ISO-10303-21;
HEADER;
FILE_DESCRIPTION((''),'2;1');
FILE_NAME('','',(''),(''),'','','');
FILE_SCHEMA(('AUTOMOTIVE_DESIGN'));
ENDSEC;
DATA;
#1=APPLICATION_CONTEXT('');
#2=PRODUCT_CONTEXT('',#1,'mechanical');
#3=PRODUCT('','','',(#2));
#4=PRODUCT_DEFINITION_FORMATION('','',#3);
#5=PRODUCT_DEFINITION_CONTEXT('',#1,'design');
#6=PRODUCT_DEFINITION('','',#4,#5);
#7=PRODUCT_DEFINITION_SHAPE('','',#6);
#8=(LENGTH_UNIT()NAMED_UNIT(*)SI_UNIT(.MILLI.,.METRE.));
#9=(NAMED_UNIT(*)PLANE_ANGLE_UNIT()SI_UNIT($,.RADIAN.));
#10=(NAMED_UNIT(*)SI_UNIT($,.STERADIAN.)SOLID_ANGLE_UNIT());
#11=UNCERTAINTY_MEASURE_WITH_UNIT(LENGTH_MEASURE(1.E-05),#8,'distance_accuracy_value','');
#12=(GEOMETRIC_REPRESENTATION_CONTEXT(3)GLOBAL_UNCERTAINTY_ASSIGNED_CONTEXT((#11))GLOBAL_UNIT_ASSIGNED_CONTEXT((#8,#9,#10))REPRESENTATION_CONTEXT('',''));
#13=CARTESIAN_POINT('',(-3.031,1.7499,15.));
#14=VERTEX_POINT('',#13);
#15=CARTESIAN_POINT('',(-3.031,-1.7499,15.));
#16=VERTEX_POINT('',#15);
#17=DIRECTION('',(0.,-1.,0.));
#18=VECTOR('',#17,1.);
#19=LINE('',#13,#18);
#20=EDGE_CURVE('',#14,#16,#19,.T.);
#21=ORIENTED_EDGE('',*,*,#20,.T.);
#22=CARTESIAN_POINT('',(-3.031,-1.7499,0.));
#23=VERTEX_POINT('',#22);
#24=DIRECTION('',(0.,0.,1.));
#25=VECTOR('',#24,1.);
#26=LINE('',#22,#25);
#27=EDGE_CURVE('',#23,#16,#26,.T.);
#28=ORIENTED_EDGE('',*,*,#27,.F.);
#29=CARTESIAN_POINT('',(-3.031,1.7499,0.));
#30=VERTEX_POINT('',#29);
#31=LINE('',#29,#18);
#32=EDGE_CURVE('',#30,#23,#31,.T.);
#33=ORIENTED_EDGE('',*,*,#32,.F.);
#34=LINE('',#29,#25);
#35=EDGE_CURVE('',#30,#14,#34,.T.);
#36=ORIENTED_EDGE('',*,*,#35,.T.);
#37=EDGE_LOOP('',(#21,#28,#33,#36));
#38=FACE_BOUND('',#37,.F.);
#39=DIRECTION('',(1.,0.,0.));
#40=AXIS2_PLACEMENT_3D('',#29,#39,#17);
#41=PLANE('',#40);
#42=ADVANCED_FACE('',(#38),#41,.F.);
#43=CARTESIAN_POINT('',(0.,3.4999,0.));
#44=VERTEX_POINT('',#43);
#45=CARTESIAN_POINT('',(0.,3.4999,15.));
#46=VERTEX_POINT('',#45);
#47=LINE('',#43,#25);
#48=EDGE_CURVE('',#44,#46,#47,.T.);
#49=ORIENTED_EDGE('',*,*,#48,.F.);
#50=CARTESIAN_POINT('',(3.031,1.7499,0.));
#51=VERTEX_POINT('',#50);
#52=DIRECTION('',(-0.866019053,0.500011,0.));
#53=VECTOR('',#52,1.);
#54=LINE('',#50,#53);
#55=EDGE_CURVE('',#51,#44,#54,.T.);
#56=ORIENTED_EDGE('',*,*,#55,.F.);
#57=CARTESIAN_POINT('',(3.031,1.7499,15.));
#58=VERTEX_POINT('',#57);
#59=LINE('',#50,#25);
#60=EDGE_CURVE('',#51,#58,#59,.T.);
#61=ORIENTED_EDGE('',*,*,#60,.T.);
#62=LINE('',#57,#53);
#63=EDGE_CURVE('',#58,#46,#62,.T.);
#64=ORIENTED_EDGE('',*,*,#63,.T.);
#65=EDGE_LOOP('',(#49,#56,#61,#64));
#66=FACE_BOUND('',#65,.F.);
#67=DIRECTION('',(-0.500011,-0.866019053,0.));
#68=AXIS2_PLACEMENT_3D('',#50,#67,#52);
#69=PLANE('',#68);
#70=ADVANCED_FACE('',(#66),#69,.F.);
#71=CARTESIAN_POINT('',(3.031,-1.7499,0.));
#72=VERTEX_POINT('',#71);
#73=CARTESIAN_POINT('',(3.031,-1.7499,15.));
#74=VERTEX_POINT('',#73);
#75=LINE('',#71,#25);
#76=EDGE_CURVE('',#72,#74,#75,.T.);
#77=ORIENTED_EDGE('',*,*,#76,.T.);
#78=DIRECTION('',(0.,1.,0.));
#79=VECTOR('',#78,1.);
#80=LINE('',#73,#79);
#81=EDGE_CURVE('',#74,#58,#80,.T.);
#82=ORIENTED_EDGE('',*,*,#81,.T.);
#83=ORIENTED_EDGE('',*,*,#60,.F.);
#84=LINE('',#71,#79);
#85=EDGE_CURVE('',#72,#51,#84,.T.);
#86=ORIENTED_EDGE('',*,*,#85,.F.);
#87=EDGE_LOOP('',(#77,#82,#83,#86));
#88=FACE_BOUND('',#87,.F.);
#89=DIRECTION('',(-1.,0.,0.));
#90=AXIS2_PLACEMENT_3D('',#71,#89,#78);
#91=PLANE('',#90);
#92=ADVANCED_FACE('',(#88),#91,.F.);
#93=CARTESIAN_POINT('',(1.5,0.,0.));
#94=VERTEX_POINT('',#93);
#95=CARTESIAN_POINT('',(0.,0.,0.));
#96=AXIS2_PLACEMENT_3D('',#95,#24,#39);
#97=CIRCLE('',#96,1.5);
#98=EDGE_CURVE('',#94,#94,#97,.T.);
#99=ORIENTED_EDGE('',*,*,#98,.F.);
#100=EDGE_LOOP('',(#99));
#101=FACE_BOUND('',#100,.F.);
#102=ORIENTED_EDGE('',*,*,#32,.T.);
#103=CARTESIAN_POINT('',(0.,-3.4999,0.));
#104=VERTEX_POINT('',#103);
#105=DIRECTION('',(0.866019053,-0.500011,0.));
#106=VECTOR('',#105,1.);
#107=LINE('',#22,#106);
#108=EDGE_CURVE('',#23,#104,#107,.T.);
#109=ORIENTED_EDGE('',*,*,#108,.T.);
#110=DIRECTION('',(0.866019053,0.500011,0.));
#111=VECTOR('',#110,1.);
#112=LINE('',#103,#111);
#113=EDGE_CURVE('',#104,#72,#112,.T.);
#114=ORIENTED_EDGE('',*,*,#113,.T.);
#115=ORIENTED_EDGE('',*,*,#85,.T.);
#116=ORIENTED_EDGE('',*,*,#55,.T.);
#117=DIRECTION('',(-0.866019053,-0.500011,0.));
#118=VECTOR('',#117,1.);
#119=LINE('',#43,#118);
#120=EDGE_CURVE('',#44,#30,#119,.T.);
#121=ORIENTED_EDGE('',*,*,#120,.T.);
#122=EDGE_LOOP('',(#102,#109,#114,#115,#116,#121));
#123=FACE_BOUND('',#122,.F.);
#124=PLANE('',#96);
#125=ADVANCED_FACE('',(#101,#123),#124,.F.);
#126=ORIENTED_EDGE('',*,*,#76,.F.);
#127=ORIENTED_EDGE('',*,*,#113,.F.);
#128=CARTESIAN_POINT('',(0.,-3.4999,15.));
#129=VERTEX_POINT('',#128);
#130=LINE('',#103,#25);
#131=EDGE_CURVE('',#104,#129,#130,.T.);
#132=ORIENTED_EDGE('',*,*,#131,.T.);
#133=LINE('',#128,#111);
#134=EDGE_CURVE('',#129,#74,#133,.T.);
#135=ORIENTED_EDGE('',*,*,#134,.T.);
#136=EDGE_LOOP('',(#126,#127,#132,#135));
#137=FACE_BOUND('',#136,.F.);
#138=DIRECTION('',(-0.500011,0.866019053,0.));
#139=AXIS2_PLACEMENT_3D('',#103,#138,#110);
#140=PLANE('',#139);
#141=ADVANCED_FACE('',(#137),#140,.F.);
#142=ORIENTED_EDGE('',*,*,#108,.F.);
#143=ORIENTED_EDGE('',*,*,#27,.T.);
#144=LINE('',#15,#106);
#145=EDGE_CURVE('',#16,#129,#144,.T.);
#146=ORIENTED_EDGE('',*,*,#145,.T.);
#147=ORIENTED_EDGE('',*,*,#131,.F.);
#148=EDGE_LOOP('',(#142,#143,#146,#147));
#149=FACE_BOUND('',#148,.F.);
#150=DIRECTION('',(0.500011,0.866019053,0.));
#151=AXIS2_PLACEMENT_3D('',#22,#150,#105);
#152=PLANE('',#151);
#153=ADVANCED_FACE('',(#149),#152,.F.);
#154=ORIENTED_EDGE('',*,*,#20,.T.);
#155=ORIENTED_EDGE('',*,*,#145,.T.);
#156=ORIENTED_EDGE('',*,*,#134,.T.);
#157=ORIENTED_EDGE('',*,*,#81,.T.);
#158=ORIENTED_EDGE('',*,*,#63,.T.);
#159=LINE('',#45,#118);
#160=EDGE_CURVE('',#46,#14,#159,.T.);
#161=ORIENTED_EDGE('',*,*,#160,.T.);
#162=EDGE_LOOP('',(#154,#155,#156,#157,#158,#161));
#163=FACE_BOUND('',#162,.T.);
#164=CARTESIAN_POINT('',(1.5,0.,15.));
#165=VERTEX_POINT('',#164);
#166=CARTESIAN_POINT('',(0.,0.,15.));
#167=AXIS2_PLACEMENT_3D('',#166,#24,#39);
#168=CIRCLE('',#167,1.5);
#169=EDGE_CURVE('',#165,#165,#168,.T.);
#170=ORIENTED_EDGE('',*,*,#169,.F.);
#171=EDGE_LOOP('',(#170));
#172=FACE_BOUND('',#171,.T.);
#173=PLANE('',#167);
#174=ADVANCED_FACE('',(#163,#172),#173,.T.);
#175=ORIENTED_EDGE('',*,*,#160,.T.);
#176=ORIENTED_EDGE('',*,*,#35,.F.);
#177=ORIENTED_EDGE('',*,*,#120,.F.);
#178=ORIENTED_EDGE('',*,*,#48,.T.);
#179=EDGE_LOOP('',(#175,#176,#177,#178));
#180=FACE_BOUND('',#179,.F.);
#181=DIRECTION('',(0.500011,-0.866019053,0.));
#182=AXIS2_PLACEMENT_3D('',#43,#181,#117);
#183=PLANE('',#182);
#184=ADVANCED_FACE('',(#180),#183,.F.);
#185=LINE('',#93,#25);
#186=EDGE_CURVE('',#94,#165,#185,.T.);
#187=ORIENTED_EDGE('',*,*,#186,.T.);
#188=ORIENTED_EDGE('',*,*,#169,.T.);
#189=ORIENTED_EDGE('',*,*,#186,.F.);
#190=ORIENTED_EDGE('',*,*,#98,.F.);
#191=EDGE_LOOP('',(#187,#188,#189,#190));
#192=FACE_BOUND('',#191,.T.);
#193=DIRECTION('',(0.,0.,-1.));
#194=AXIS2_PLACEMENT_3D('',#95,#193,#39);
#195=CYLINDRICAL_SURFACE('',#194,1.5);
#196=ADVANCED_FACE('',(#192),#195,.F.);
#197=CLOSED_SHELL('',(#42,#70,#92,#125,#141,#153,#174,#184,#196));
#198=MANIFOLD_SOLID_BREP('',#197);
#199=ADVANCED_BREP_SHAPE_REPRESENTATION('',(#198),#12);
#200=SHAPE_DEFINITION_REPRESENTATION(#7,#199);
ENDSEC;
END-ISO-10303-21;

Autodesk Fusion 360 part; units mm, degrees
sketch "スケッチ1" plane through (0, 0, 0) normal (0, 0, 1) x (1, 0, 0)
  line L0 (3.5241, 6.0479) -> (-3.4756, 6.076)
  line L1 (-3.4756, 6.076) -> (-6.9997, 0.028)
  line L2 (-6.9997, 0.028) -> (-3.5241, -6.0479)
  line L3 (-3.5241, -6.0479) -> (3.4756, -6.076)
  line L4 (3.4756, -6.076) -> (6.9997, -0.028)
  line L5 (6.9997, -0.028) -> (3.5241, 6.0479)
  circle A0 centre (0, 0) radius 1.5
  line L6 (3.031, 1.7499) -> (0, 3.4999)
  line L7 (0, 3.4999) -> (-3.031, 1.7499)
  line L8 (-3.031, 1.7499) -> (-3.031, -1.7499)
  line L9 (-3.031, -1.7499) -> (0, -3.4999)
  line L10 (0, -3.4999) -> (3.031, -1.7499)
  line L11 (3.031, -1.7499) -> (3.031, 1.7499)
  dimension "d1" = 6.062
  dimension "d2" = 3
  dimension "d3" = 3.031
extrude "押し出し1" add sketch "スケッチ1" along normal blind 15 contours L6 L7 L8 L9 L10 L11
